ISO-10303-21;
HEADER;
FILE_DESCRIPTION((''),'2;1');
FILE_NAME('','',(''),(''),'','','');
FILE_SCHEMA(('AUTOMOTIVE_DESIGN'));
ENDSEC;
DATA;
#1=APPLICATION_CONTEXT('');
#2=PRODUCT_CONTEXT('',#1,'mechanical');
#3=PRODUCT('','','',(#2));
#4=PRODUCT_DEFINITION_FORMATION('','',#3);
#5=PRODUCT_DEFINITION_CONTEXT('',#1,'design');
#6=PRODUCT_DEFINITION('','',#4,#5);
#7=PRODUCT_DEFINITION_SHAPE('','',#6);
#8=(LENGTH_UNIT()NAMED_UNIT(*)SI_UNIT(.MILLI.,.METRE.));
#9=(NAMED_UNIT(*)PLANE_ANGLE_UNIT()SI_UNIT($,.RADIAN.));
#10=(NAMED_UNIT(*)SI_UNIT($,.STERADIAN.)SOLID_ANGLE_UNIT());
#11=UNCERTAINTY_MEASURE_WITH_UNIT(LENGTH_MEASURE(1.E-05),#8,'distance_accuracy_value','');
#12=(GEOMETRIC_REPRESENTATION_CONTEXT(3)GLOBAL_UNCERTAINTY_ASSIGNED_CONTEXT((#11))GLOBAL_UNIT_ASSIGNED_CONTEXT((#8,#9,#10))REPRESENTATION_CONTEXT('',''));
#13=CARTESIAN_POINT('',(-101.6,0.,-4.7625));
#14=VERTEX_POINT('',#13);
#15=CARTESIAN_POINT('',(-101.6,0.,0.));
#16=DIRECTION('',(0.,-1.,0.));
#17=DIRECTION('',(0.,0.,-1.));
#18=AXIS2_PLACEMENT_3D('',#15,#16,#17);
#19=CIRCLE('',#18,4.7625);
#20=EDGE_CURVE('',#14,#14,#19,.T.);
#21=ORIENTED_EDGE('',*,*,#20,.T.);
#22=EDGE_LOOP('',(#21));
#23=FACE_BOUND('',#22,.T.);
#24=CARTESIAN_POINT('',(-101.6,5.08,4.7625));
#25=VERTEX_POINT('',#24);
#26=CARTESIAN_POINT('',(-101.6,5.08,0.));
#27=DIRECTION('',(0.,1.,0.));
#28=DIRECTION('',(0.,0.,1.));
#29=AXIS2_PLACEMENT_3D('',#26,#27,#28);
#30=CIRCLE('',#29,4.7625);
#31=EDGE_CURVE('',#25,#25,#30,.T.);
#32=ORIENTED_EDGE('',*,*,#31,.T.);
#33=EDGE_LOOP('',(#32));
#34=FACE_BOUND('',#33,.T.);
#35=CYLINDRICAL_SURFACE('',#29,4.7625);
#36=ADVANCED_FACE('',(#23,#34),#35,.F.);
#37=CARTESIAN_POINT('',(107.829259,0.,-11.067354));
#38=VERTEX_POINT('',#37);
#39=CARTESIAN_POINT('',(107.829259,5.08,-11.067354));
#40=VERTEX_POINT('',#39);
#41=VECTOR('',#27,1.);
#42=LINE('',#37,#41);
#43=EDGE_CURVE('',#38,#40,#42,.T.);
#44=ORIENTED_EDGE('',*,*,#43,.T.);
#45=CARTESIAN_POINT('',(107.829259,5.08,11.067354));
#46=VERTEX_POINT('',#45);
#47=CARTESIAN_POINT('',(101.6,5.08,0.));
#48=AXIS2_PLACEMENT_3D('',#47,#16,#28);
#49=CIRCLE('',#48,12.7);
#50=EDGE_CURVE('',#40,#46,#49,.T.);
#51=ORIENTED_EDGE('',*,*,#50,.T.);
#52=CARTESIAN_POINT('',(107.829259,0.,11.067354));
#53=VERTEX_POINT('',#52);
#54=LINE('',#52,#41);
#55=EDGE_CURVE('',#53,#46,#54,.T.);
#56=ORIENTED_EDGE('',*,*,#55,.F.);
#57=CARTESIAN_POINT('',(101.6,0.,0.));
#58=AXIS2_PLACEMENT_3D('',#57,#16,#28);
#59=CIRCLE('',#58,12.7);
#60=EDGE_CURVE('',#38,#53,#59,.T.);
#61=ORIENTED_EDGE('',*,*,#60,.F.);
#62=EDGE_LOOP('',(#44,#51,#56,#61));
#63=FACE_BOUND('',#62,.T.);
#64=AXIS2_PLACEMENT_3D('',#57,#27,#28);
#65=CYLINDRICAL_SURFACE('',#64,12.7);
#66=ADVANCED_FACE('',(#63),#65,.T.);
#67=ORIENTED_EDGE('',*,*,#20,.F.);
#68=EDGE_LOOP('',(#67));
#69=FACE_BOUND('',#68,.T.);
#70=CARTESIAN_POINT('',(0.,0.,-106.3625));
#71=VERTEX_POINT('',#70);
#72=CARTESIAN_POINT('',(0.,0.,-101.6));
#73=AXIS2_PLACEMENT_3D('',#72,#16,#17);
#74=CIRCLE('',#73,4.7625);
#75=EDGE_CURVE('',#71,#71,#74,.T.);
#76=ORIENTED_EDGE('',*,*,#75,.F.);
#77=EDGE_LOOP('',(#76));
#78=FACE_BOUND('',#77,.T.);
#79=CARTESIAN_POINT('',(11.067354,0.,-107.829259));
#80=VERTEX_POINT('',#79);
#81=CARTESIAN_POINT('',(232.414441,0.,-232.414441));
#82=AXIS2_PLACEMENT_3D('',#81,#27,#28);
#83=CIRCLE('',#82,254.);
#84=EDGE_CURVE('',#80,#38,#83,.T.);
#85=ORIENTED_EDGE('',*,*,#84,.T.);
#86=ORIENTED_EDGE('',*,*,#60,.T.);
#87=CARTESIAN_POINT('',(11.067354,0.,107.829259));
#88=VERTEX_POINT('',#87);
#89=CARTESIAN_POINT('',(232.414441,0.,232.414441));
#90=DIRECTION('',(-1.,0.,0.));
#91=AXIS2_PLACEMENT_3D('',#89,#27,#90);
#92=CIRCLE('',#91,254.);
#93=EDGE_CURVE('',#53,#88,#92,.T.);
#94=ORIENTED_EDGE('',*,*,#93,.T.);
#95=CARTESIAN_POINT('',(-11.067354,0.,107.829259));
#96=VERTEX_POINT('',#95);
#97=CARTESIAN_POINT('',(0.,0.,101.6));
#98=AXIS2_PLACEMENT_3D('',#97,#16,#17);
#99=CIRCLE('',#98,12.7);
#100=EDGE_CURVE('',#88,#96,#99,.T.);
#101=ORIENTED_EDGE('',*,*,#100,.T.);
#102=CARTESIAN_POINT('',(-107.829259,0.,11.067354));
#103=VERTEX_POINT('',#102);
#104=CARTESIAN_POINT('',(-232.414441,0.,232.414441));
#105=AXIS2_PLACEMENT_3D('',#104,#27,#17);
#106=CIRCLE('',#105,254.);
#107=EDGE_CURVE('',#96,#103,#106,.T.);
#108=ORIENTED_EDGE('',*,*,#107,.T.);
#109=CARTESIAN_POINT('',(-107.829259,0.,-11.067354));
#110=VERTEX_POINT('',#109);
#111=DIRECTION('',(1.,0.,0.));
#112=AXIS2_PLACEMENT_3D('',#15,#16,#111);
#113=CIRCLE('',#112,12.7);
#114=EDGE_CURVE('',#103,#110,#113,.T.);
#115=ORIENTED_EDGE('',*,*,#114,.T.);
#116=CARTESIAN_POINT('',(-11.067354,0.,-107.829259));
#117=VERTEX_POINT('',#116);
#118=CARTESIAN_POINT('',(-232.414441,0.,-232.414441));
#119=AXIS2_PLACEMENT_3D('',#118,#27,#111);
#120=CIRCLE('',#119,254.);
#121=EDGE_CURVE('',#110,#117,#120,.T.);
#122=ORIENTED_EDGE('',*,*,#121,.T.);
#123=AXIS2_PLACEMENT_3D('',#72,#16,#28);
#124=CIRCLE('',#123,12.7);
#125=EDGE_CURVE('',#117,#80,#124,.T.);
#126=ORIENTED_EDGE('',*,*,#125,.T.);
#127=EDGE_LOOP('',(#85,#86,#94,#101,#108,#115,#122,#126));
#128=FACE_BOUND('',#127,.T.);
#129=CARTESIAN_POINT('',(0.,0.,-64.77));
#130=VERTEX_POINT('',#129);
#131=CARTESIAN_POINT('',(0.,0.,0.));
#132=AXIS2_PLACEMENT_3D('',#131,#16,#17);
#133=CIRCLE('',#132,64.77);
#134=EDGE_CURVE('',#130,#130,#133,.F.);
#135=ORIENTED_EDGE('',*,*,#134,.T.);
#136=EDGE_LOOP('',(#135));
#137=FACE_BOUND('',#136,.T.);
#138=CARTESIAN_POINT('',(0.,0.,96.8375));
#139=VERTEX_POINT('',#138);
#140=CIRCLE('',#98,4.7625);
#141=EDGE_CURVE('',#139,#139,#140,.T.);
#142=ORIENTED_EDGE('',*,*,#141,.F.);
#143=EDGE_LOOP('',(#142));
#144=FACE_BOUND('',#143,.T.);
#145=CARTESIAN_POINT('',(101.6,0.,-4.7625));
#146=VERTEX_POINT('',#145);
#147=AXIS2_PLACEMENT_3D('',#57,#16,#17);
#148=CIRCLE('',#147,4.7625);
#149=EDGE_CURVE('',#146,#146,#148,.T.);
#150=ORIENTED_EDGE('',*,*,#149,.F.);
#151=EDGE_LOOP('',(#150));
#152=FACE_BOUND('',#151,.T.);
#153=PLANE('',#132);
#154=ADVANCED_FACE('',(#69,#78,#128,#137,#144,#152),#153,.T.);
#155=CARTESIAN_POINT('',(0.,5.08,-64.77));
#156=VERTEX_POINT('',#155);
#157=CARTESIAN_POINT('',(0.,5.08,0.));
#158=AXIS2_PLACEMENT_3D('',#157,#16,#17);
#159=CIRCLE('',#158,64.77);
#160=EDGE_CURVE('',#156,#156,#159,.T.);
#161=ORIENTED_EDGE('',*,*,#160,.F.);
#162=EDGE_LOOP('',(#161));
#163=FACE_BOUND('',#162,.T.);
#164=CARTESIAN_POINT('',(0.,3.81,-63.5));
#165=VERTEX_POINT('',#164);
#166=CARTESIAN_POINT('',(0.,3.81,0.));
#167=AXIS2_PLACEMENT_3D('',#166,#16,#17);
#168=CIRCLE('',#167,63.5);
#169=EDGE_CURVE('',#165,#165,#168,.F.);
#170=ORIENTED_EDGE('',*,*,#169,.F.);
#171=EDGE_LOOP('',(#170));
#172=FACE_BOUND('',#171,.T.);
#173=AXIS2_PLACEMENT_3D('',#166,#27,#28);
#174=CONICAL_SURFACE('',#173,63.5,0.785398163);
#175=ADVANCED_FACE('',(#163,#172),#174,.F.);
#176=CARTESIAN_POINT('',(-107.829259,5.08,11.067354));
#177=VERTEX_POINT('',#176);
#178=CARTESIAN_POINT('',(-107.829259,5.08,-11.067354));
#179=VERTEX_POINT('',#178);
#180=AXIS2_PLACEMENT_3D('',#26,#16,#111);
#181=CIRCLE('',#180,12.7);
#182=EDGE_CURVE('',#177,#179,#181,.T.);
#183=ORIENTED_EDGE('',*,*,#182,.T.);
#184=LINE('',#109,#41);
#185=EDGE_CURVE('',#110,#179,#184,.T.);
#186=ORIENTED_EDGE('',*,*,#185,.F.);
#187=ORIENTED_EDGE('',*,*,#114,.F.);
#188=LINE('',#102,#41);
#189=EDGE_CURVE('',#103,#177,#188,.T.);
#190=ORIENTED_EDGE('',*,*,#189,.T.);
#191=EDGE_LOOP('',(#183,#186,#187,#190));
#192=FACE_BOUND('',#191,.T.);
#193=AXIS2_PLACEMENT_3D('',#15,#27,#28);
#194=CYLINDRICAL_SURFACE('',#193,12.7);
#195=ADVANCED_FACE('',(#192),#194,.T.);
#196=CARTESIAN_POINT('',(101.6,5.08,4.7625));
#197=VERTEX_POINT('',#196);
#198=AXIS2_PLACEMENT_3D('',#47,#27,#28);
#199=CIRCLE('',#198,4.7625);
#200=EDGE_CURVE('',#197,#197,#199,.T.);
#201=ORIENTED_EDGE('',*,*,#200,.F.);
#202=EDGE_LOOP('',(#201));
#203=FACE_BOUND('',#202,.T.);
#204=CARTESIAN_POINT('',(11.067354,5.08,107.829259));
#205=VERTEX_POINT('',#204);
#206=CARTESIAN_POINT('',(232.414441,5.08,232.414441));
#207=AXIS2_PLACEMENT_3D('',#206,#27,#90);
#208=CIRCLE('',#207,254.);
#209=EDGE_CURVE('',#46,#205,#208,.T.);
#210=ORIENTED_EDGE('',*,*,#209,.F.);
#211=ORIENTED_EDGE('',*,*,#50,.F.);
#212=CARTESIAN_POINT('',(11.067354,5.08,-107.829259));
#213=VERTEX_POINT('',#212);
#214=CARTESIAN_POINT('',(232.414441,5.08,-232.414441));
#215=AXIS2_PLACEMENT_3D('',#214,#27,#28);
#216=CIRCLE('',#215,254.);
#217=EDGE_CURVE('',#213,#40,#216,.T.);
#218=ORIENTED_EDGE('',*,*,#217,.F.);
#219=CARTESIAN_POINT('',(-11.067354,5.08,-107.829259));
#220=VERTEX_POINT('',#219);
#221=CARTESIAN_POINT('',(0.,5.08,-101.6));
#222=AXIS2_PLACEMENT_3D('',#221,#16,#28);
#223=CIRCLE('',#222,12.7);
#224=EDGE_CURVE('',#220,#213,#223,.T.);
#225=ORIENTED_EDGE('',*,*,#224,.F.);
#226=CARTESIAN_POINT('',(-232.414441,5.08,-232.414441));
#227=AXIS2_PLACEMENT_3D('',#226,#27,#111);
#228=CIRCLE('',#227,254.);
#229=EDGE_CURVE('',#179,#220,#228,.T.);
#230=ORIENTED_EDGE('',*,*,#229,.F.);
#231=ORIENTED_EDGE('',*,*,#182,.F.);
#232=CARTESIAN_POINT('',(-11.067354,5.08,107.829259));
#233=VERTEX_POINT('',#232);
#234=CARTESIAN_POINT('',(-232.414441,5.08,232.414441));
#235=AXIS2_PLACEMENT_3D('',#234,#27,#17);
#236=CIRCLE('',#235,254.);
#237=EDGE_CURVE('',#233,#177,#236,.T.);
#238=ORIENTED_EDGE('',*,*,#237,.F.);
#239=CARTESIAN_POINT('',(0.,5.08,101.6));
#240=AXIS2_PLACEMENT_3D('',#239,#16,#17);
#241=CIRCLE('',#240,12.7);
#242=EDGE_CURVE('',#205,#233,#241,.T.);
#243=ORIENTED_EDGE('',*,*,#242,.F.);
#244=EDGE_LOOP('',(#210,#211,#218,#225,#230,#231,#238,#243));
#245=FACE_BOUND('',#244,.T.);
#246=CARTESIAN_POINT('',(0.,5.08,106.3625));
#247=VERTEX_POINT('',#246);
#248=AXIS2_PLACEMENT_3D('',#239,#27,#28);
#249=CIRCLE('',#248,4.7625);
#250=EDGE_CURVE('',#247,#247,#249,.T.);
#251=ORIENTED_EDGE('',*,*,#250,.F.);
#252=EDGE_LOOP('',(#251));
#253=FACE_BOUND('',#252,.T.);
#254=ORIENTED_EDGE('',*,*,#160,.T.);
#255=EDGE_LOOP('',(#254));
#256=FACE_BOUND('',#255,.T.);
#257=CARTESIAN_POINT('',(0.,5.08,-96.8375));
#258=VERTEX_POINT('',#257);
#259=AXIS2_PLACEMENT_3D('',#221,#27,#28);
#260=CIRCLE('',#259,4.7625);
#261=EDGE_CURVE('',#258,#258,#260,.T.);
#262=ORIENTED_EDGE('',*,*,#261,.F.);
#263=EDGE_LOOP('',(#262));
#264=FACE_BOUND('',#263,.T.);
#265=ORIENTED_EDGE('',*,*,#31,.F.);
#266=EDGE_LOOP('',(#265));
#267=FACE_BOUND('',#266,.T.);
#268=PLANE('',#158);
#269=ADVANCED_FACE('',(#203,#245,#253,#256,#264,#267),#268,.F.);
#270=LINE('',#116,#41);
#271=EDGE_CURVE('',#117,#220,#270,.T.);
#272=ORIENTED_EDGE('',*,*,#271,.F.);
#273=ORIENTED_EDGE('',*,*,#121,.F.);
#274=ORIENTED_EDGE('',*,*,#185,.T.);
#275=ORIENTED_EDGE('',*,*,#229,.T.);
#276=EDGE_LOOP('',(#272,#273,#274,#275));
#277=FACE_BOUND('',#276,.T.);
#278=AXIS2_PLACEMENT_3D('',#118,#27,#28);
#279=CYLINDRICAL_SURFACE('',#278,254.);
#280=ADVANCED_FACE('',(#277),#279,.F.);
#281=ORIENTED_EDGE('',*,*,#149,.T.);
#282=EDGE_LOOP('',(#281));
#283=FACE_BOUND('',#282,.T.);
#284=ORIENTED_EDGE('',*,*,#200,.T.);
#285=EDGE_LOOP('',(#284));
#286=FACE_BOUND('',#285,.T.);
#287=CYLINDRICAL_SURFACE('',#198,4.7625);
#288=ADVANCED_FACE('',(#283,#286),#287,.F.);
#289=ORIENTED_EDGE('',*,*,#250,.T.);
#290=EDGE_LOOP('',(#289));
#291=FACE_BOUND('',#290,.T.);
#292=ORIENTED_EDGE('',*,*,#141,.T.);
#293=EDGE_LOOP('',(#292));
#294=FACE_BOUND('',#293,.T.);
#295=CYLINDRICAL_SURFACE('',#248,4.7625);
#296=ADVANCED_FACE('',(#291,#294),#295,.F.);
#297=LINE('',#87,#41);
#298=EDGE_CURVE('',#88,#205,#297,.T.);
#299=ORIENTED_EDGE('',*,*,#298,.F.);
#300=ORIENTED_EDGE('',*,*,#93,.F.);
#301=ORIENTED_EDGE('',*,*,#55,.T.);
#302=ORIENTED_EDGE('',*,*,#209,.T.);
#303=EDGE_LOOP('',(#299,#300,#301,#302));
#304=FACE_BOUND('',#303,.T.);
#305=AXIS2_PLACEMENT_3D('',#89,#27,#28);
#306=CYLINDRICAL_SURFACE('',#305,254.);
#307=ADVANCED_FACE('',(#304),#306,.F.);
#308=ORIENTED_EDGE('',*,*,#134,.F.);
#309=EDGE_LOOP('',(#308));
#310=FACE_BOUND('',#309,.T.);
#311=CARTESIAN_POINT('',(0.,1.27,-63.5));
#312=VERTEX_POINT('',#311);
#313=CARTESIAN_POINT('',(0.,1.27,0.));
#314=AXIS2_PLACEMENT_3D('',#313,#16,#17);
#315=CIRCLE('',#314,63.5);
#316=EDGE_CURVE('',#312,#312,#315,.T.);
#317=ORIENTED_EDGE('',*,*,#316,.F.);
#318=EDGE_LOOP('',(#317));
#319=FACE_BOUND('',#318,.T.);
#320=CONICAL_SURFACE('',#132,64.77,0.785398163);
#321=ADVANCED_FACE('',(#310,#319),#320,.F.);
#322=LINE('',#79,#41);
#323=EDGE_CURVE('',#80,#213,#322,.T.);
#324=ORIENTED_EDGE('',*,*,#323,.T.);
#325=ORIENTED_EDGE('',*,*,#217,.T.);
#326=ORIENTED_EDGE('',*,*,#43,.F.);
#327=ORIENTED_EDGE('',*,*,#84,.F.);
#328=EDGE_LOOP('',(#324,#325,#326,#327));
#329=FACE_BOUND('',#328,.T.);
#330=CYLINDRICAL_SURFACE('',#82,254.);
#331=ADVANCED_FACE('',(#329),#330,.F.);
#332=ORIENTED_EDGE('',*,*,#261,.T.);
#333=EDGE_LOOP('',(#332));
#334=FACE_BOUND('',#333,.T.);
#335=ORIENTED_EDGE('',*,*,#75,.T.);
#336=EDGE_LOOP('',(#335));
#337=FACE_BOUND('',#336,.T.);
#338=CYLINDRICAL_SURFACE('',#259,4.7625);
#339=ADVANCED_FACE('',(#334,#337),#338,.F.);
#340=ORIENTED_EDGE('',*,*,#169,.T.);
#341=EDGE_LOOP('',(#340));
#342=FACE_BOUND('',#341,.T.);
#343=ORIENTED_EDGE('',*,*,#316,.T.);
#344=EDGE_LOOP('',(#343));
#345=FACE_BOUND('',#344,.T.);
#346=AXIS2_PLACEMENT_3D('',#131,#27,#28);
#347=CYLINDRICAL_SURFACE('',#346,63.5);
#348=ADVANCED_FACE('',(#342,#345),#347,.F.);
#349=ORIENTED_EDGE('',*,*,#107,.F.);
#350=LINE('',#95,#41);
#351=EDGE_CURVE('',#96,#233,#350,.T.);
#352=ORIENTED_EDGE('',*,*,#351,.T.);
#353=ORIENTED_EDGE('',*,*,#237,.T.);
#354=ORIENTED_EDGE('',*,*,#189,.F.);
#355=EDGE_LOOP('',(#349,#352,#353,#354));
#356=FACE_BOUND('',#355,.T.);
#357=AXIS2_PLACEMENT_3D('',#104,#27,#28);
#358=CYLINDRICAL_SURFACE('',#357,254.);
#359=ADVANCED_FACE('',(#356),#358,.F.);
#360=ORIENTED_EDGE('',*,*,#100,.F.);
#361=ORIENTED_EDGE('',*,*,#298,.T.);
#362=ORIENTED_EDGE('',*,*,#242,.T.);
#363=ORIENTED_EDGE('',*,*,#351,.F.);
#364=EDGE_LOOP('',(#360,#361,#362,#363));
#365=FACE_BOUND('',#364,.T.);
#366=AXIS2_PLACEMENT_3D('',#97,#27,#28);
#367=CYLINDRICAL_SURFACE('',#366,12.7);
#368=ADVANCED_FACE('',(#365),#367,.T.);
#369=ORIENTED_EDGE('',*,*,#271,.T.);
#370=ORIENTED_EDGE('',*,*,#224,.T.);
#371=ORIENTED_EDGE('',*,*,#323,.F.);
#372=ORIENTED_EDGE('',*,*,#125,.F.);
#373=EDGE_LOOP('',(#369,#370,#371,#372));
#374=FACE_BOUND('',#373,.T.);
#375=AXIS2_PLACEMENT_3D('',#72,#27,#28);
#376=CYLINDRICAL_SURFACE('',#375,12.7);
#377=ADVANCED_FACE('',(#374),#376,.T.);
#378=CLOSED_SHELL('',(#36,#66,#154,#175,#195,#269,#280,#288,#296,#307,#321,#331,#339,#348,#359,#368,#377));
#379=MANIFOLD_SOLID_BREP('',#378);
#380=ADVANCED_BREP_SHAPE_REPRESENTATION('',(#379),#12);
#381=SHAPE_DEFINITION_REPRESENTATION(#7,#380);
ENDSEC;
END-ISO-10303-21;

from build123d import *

# Parameters (mm, degrees)
SKETCH1_W                        = 228.6
SKETCH1_H                        = 228.6
BOSS_EXTRUDE1_DEPTH              = 5.08
SKETCH2_R                        = 63.5
CUT_EXTRUDE1_DEPTH               = 6.08
CUT_EXTRUDE2_DEPTH               = 6.08
CIRPATTERN1_COUNT                = 4
F_3_8_0_375_DIAMETER_HOLE1_D     = 9.525
F_3_8_0_375_DIAMETER_HOLE1_DEPTH = 5.081
CIRPATTERN2_COUNT                = 4
CHAMFER1_SIZE                    = 1.27


with BuildPart() as part:
    # Sketch1 → Boss-Extrude1 (new body)
    with BuildSketch(Plane(origin=(0, 0, 0), x_dir=(1, 0, 0), z_dir=(0, 1, 0))):
        Rectangle(SKETCH1_W, SKETCH1_H)
    extrude(amount=BOSS_EXTRUDE1_DEPTH)

    # Sketch2 → Cut-Extrude1 (cut, through all)
    with BuildSketch(Plane(origin=(0, 5.08, 0), x_dir=(1, 0, 0), z_dir=(0, 1, 0))):
        Circle(SKETCH2_R)
    extrude(amount=-CUT_EXTRUDE1_DEPTH, mode=Mode.SUBTRACT)

    # Sketch3 → Cut-Extrude2 (cut, through all)
    with BuildSketch(Plane(origin=(0, 5.08, 0), x_dir=(1, 0, 0), z_dir=(0, 1, 0))):
        with BuildLine():
            Line((114.3, 114.3), (0, 114.3))
            ThreePointArc((0, 114.3), (6.410086185, 112.56361232), (11.06735431, 107.829259072))
            ThreePointArc((11.06735431, 107.829259072), (52.809318084, 52.809318084), (107.829259072, 11.06735431))
            ThreePointArc((107.829259072, 11.06735431), (112.56361232, 6.410086185), (114.3, 0))
            Line((114.3, 0), (114.3, 114.3))
        make_face()
    cut_extrude2 = extrude(amount=-CUT_EXTRUDE2_DEPTH, mode=Mode.SUBTRACT)

    # CirPattern1: Cut-Extrude2 ×4 about axis
    cirpattern1_axis = Axis((0, 0, 0), (0, 1, 0))
    for i in range(1, CIRPATTERN1_COUNT):
        add(cut_extrude2.rotate(cirpattern1_axis, i * 360 / CIRPATTERN1_COUNT), mode=Mode.SUBTRACT)

    # 3/8 (0.375) Diameter Hole1
    with Locations(Plane(origin=(0, 5.08, 0), x_dir=(1, 0, 0), z_dir=(0, 1, 0))):
        with Locations((101.6, 0)):
            f_3_8_0_375_diameter_hole1 = Hole(F_3_8_0_375_DIAMETER_HOLE1_D / 2, depth=F_3_8_0_375_DIAMETER_HOLE1_DEPTH)

    # CirPattern2: 3/8 (0.375) Diameter Hole1 ×4 about axis
    cirpattern2_axis = Axis((0, 0, 0), (0, 1, 0))
    for i in range(1, CIRPATTERN2_COUNT):
        add(f_3_8_0_375_diameter_hole1.rotate(cirpattern2_axis, i * 360 / CIRPATTERN2_COUNT), mode=Mode.SUBTRACT)

    # Chamfer1
    chamfer1_edges = [part.edges().sort_by_distance(p)[0] for p in [
        (-63.5, 0, 0),
        (-63.5, 5.08, 0),
    ]]
    chamfer(chamfer1_edges, length=CHAMFER1_SIZE)


solid = part.part
